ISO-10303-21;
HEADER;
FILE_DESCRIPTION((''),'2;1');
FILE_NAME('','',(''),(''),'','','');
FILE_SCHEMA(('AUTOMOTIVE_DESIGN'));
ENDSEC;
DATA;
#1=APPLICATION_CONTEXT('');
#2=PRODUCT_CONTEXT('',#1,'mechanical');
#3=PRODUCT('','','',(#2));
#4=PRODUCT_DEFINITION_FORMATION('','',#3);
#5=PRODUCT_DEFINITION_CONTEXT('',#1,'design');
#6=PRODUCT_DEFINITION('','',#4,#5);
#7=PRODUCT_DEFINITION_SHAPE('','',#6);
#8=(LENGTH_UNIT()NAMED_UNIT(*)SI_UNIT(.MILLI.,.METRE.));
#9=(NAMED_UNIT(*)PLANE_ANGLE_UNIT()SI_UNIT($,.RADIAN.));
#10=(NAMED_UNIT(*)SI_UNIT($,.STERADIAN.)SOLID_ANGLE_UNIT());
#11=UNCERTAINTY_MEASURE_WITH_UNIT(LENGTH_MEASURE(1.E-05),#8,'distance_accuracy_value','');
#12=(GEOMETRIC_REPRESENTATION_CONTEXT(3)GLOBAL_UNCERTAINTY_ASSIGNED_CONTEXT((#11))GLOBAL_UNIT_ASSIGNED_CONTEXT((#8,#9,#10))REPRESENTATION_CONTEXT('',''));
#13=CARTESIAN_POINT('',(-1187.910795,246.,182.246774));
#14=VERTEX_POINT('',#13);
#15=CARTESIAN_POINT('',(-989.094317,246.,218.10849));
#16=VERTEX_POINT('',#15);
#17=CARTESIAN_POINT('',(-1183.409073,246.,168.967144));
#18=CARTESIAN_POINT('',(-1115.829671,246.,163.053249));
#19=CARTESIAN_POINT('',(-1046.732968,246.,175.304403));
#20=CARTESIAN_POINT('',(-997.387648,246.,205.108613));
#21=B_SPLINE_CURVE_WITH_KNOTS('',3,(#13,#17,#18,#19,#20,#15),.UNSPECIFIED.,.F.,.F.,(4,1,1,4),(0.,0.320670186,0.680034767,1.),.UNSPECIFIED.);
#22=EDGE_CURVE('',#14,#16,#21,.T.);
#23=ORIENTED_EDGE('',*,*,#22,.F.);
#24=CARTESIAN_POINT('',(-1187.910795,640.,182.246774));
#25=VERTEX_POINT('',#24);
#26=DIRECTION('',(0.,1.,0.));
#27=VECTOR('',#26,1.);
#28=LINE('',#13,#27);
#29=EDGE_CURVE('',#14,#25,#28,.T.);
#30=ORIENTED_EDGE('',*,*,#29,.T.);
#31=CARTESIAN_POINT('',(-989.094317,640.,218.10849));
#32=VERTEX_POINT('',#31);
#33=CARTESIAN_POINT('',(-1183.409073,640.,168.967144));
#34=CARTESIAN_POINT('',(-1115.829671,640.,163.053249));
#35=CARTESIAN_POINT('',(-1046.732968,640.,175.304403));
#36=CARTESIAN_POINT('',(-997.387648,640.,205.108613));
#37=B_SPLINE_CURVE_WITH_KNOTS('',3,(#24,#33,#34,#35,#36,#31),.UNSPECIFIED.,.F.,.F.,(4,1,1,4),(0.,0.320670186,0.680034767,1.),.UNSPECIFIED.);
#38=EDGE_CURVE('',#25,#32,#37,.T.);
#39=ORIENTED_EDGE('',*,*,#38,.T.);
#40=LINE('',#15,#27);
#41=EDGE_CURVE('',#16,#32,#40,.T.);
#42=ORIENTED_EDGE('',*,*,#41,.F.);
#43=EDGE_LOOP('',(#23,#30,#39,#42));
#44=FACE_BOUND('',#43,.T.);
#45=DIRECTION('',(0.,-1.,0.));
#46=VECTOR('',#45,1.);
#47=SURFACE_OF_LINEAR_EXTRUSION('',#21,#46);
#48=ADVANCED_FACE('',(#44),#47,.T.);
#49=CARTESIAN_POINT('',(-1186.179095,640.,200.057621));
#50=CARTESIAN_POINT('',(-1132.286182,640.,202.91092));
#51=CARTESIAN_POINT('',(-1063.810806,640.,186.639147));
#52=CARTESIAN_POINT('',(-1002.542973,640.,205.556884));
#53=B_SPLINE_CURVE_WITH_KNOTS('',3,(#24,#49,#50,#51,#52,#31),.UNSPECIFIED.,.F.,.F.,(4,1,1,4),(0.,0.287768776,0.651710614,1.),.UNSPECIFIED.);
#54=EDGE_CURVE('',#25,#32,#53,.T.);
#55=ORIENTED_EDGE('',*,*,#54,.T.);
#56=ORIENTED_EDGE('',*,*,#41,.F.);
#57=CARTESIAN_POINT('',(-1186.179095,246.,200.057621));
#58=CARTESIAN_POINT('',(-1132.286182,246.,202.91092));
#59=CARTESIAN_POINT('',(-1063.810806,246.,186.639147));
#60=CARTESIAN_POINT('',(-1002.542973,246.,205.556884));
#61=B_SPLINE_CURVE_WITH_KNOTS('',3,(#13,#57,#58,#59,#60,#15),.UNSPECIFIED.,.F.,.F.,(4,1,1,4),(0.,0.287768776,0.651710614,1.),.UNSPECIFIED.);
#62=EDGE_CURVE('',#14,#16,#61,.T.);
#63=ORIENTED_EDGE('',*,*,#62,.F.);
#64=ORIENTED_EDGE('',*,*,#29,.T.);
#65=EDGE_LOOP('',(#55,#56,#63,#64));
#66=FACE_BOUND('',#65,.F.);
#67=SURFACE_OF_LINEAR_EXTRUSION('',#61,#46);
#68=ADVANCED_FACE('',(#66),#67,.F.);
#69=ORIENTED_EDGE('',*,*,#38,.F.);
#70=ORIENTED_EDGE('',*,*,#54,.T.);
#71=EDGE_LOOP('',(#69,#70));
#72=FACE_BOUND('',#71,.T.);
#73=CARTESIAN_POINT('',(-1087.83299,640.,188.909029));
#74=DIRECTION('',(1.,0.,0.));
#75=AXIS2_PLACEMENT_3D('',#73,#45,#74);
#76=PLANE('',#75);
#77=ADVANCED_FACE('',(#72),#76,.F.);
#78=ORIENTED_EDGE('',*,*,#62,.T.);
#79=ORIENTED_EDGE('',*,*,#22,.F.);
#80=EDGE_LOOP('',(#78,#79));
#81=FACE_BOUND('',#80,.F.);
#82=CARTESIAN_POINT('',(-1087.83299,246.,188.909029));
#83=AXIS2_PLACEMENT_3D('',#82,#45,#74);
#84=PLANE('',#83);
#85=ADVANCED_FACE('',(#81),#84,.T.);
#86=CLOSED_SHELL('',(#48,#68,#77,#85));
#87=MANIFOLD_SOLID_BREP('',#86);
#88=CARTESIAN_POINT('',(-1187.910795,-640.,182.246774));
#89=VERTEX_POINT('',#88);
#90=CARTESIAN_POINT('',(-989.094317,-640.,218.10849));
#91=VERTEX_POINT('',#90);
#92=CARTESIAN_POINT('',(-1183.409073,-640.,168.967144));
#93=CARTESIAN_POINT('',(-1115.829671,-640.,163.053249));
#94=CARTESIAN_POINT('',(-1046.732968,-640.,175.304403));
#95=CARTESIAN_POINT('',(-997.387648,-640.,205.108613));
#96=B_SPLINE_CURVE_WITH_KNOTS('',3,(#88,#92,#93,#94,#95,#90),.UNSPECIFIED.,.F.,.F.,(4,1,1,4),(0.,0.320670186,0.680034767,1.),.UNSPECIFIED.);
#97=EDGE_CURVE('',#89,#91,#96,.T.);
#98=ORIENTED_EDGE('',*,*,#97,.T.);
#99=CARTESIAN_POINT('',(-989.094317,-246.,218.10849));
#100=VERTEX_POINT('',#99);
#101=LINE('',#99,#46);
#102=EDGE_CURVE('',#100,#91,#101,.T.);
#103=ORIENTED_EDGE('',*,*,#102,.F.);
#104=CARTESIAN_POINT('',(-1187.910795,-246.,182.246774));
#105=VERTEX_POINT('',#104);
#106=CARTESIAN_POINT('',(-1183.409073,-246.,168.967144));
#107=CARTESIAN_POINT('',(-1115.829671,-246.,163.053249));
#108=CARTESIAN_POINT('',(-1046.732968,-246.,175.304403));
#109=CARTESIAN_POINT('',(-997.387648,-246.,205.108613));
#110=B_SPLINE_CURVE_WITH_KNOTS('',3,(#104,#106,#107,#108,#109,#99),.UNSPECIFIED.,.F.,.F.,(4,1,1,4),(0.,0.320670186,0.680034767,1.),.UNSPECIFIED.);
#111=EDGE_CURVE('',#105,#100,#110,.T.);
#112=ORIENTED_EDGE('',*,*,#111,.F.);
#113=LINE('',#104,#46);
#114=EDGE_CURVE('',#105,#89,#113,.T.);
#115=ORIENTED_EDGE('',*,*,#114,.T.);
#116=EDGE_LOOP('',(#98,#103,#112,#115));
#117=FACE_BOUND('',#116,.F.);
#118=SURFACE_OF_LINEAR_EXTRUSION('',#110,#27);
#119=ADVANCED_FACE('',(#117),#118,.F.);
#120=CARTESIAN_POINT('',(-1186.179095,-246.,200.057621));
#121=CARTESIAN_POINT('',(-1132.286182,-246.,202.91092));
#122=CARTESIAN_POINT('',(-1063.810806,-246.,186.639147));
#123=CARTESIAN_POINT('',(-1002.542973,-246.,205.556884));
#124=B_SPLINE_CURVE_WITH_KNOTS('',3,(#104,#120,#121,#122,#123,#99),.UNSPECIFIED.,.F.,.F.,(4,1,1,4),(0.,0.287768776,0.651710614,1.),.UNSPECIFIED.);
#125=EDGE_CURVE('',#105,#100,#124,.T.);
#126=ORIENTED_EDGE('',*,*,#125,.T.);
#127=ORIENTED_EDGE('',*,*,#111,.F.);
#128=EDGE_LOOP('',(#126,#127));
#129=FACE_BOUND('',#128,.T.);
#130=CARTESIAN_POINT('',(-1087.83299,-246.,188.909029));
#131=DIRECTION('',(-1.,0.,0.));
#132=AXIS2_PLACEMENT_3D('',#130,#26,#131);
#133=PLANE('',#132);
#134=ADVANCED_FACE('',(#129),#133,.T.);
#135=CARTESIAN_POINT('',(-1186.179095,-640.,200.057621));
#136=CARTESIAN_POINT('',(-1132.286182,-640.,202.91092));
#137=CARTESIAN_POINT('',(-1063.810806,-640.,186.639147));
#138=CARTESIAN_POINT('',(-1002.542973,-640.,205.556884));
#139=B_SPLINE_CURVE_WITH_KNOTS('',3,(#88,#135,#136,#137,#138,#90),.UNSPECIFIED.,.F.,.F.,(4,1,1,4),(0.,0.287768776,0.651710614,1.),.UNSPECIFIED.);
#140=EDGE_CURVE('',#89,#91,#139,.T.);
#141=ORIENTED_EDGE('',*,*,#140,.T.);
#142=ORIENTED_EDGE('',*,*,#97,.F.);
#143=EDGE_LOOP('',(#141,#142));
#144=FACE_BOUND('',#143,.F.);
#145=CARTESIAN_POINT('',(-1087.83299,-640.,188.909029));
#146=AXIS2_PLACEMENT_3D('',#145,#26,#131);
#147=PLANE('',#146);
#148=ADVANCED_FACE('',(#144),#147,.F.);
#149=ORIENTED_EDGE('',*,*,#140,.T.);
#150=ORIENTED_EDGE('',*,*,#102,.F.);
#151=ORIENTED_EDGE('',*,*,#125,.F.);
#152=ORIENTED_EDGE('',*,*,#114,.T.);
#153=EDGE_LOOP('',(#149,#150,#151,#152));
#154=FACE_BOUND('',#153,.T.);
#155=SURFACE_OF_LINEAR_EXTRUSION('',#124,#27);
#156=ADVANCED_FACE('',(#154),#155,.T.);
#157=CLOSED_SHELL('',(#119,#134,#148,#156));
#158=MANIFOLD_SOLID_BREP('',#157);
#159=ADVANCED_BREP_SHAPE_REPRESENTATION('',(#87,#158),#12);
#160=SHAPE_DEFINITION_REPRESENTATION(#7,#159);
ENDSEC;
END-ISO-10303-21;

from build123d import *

# Parameters (mm, degrees)
F2_DEPTH = 394


with BuildPart() as f2:
    # F1 (on offset) → F2 (new body)
    with BuildSketch(Plane.XZ.offset(246)):
        with BuildLine():
            add(Edge.make_bspline(
                [(-1187.9107952118, 182.246774435), (-1186.1790946832, 200.0576209252), (-1132.2861822147, 202.9109195652), (-1063.8108061256, 186.6391468162), (-1002.5429725647, 205.556884408), (-989.0943169594, 218.1084901094)],
                knots=[0, 0, 0, 0, 0.2877687758, 0.6517106139, 1, 1, 1, 1], degree=3))
            add(Edge.make_bspline(
                [(-1187.9107952118, 182.246774435), (-1183.4090733988, 168.9671440019), (-1115.8296709769, 163.0532489302), (-1046.7329678016, 175.3044025516), (-997.3876476288, 205.1086127758), (-989.0943169594, 218.1084901094)],
                knots=[0, 0, 0, 0, 0.3206701864, 0.6800347671, 1, 1, 1, 1], degree=3))
        make_face()
    extrude(amount=F2_DEPTH)


with BuildPart() as f3_1:
    # F3: instance of F2
    add(f2.part.mirror(Plane.XZ))


solid = Compound([f2.part, f3_1.part])
